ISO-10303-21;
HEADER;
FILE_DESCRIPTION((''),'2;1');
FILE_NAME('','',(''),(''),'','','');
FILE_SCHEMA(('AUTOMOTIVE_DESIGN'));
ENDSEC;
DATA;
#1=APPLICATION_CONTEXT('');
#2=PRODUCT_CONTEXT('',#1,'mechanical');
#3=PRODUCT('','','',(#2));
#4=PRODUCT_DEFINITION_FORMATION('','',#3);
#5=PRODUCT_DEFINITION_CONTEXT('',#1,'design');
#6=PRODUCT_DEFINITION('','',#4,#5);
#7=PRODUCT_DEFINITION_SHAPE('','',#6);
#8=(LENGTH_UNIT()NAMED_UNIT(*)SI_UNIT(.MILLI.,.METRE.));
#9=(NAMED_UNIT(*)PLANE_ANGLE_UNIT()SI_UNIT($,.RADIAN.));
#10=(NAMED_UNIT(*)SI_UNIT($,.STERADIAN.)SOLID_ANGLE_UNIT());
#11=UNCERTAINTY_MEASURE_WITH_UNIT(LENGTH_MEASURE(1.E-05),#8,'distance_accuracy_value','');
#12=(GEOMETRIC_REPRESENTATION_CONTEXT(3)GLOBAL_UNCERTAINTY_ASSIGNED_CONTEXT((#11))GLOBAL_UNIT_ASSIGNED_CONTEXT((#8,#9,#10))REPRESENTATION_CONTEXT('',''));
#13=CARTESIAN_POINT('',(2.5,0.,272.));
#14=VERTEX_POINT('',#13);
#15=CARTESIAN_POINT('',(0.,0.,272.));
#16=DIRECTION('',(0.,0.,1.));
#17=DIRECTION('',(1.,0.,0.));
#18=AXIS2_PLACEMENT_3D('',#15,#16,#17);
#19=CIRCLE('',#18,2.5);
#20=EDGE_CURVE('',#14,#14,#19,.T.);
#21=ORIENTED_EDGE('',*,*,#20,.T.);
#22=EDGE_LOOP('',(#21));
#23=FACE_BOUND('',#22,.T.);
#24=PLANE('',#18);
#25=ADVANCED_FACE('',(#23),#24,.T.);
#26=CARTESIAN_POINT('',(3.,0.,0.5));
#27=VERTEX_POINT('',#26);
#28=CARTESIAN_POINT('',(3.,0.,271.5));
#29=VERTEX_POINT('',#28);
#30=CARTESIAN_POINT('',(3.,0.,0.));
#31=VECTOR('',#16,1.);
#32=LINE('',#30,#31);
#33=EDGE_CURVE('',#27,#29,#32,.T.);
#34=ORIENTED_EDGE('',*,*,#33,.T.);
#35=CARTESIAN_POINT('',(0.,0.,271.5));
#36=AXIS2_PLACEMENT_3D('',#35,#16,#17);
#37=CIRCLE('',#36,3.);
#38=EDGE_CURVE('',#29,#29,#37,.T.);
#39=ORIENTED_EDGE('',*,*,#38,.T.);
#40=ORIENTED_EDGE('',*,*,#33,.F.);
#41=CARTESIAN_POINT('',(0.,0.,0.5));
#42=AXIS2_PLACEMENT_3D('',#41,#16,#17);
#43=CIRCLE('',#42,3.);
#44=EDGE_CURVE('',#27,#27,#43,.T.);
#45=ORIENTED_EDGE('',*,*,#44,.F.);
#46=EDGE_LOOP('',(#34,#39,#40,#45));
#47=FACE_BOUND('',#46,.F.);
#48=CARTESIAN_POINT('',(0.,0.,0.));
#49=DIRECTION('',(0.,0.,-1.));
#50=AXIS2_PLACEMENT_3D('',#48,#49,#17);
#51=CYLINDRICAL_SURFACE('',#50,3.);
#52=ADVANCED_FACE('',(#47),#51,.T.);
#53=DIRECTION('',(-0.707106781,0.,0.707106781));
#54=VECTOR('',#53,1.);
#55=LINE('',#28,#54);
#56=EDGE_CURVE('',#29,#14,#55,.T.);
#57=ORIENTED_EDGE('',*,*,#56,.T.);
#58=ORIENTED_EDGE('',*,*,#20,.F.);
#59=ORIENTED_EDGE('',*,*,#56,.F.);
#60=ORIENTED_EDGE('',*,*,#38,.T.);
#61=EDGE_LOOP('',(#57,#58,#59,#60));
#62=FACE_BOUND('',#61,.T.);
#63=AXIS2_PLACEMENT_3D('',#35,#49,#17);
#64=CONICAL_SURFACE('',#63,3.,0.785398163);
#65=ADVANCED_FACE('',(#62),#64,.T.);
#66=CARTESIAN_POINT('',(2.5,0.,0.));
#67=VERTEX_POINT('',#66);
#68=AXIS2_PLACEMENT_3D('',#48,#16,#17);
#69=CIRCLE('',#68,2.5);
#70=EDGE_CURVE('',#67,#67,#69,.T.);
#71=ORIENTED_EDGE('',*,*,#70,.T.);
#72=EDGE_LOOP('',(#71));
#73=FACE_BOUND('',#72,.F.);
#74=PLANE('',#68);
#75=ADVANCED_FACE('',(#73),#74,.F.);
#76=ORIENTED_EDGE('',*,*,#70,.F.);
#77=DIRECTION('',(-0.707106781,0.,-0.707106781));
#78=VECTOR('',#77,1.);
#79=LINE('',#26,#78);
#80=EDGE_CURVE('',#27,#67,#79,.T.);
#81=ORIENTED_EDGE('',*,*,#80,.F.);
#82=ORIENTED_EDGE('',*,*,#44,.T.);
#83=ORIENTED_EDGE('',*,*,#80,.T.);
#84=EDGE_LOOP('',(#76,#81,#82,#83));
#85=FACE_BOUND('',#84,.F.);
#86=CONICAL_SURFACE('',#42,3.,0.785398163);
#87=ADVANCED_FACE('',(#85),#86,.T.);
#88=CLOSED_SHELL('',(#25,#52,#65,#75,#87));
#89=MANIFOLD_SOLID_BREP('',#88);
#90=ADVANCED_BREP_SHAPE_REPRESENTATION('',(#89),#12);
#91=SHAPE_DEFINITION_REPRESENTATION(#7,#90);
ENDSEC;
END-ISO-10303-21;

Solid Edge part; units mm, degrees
sketch "Sketch1" plane through (0, 0, 0) normal (0, 0, 1) x (1, 0, 0)
  circle A0 centre (0, 0) radius 3
  dimension "D1" = 6
extrude "Protrusion1" add sketch "Sketch1" along normal blind 272
chamfer "Chamfer_1" distance 0.5 angle 45 2 edges at (-3, 0, 0) (-3, 0, 272)
properties material "Steel"
